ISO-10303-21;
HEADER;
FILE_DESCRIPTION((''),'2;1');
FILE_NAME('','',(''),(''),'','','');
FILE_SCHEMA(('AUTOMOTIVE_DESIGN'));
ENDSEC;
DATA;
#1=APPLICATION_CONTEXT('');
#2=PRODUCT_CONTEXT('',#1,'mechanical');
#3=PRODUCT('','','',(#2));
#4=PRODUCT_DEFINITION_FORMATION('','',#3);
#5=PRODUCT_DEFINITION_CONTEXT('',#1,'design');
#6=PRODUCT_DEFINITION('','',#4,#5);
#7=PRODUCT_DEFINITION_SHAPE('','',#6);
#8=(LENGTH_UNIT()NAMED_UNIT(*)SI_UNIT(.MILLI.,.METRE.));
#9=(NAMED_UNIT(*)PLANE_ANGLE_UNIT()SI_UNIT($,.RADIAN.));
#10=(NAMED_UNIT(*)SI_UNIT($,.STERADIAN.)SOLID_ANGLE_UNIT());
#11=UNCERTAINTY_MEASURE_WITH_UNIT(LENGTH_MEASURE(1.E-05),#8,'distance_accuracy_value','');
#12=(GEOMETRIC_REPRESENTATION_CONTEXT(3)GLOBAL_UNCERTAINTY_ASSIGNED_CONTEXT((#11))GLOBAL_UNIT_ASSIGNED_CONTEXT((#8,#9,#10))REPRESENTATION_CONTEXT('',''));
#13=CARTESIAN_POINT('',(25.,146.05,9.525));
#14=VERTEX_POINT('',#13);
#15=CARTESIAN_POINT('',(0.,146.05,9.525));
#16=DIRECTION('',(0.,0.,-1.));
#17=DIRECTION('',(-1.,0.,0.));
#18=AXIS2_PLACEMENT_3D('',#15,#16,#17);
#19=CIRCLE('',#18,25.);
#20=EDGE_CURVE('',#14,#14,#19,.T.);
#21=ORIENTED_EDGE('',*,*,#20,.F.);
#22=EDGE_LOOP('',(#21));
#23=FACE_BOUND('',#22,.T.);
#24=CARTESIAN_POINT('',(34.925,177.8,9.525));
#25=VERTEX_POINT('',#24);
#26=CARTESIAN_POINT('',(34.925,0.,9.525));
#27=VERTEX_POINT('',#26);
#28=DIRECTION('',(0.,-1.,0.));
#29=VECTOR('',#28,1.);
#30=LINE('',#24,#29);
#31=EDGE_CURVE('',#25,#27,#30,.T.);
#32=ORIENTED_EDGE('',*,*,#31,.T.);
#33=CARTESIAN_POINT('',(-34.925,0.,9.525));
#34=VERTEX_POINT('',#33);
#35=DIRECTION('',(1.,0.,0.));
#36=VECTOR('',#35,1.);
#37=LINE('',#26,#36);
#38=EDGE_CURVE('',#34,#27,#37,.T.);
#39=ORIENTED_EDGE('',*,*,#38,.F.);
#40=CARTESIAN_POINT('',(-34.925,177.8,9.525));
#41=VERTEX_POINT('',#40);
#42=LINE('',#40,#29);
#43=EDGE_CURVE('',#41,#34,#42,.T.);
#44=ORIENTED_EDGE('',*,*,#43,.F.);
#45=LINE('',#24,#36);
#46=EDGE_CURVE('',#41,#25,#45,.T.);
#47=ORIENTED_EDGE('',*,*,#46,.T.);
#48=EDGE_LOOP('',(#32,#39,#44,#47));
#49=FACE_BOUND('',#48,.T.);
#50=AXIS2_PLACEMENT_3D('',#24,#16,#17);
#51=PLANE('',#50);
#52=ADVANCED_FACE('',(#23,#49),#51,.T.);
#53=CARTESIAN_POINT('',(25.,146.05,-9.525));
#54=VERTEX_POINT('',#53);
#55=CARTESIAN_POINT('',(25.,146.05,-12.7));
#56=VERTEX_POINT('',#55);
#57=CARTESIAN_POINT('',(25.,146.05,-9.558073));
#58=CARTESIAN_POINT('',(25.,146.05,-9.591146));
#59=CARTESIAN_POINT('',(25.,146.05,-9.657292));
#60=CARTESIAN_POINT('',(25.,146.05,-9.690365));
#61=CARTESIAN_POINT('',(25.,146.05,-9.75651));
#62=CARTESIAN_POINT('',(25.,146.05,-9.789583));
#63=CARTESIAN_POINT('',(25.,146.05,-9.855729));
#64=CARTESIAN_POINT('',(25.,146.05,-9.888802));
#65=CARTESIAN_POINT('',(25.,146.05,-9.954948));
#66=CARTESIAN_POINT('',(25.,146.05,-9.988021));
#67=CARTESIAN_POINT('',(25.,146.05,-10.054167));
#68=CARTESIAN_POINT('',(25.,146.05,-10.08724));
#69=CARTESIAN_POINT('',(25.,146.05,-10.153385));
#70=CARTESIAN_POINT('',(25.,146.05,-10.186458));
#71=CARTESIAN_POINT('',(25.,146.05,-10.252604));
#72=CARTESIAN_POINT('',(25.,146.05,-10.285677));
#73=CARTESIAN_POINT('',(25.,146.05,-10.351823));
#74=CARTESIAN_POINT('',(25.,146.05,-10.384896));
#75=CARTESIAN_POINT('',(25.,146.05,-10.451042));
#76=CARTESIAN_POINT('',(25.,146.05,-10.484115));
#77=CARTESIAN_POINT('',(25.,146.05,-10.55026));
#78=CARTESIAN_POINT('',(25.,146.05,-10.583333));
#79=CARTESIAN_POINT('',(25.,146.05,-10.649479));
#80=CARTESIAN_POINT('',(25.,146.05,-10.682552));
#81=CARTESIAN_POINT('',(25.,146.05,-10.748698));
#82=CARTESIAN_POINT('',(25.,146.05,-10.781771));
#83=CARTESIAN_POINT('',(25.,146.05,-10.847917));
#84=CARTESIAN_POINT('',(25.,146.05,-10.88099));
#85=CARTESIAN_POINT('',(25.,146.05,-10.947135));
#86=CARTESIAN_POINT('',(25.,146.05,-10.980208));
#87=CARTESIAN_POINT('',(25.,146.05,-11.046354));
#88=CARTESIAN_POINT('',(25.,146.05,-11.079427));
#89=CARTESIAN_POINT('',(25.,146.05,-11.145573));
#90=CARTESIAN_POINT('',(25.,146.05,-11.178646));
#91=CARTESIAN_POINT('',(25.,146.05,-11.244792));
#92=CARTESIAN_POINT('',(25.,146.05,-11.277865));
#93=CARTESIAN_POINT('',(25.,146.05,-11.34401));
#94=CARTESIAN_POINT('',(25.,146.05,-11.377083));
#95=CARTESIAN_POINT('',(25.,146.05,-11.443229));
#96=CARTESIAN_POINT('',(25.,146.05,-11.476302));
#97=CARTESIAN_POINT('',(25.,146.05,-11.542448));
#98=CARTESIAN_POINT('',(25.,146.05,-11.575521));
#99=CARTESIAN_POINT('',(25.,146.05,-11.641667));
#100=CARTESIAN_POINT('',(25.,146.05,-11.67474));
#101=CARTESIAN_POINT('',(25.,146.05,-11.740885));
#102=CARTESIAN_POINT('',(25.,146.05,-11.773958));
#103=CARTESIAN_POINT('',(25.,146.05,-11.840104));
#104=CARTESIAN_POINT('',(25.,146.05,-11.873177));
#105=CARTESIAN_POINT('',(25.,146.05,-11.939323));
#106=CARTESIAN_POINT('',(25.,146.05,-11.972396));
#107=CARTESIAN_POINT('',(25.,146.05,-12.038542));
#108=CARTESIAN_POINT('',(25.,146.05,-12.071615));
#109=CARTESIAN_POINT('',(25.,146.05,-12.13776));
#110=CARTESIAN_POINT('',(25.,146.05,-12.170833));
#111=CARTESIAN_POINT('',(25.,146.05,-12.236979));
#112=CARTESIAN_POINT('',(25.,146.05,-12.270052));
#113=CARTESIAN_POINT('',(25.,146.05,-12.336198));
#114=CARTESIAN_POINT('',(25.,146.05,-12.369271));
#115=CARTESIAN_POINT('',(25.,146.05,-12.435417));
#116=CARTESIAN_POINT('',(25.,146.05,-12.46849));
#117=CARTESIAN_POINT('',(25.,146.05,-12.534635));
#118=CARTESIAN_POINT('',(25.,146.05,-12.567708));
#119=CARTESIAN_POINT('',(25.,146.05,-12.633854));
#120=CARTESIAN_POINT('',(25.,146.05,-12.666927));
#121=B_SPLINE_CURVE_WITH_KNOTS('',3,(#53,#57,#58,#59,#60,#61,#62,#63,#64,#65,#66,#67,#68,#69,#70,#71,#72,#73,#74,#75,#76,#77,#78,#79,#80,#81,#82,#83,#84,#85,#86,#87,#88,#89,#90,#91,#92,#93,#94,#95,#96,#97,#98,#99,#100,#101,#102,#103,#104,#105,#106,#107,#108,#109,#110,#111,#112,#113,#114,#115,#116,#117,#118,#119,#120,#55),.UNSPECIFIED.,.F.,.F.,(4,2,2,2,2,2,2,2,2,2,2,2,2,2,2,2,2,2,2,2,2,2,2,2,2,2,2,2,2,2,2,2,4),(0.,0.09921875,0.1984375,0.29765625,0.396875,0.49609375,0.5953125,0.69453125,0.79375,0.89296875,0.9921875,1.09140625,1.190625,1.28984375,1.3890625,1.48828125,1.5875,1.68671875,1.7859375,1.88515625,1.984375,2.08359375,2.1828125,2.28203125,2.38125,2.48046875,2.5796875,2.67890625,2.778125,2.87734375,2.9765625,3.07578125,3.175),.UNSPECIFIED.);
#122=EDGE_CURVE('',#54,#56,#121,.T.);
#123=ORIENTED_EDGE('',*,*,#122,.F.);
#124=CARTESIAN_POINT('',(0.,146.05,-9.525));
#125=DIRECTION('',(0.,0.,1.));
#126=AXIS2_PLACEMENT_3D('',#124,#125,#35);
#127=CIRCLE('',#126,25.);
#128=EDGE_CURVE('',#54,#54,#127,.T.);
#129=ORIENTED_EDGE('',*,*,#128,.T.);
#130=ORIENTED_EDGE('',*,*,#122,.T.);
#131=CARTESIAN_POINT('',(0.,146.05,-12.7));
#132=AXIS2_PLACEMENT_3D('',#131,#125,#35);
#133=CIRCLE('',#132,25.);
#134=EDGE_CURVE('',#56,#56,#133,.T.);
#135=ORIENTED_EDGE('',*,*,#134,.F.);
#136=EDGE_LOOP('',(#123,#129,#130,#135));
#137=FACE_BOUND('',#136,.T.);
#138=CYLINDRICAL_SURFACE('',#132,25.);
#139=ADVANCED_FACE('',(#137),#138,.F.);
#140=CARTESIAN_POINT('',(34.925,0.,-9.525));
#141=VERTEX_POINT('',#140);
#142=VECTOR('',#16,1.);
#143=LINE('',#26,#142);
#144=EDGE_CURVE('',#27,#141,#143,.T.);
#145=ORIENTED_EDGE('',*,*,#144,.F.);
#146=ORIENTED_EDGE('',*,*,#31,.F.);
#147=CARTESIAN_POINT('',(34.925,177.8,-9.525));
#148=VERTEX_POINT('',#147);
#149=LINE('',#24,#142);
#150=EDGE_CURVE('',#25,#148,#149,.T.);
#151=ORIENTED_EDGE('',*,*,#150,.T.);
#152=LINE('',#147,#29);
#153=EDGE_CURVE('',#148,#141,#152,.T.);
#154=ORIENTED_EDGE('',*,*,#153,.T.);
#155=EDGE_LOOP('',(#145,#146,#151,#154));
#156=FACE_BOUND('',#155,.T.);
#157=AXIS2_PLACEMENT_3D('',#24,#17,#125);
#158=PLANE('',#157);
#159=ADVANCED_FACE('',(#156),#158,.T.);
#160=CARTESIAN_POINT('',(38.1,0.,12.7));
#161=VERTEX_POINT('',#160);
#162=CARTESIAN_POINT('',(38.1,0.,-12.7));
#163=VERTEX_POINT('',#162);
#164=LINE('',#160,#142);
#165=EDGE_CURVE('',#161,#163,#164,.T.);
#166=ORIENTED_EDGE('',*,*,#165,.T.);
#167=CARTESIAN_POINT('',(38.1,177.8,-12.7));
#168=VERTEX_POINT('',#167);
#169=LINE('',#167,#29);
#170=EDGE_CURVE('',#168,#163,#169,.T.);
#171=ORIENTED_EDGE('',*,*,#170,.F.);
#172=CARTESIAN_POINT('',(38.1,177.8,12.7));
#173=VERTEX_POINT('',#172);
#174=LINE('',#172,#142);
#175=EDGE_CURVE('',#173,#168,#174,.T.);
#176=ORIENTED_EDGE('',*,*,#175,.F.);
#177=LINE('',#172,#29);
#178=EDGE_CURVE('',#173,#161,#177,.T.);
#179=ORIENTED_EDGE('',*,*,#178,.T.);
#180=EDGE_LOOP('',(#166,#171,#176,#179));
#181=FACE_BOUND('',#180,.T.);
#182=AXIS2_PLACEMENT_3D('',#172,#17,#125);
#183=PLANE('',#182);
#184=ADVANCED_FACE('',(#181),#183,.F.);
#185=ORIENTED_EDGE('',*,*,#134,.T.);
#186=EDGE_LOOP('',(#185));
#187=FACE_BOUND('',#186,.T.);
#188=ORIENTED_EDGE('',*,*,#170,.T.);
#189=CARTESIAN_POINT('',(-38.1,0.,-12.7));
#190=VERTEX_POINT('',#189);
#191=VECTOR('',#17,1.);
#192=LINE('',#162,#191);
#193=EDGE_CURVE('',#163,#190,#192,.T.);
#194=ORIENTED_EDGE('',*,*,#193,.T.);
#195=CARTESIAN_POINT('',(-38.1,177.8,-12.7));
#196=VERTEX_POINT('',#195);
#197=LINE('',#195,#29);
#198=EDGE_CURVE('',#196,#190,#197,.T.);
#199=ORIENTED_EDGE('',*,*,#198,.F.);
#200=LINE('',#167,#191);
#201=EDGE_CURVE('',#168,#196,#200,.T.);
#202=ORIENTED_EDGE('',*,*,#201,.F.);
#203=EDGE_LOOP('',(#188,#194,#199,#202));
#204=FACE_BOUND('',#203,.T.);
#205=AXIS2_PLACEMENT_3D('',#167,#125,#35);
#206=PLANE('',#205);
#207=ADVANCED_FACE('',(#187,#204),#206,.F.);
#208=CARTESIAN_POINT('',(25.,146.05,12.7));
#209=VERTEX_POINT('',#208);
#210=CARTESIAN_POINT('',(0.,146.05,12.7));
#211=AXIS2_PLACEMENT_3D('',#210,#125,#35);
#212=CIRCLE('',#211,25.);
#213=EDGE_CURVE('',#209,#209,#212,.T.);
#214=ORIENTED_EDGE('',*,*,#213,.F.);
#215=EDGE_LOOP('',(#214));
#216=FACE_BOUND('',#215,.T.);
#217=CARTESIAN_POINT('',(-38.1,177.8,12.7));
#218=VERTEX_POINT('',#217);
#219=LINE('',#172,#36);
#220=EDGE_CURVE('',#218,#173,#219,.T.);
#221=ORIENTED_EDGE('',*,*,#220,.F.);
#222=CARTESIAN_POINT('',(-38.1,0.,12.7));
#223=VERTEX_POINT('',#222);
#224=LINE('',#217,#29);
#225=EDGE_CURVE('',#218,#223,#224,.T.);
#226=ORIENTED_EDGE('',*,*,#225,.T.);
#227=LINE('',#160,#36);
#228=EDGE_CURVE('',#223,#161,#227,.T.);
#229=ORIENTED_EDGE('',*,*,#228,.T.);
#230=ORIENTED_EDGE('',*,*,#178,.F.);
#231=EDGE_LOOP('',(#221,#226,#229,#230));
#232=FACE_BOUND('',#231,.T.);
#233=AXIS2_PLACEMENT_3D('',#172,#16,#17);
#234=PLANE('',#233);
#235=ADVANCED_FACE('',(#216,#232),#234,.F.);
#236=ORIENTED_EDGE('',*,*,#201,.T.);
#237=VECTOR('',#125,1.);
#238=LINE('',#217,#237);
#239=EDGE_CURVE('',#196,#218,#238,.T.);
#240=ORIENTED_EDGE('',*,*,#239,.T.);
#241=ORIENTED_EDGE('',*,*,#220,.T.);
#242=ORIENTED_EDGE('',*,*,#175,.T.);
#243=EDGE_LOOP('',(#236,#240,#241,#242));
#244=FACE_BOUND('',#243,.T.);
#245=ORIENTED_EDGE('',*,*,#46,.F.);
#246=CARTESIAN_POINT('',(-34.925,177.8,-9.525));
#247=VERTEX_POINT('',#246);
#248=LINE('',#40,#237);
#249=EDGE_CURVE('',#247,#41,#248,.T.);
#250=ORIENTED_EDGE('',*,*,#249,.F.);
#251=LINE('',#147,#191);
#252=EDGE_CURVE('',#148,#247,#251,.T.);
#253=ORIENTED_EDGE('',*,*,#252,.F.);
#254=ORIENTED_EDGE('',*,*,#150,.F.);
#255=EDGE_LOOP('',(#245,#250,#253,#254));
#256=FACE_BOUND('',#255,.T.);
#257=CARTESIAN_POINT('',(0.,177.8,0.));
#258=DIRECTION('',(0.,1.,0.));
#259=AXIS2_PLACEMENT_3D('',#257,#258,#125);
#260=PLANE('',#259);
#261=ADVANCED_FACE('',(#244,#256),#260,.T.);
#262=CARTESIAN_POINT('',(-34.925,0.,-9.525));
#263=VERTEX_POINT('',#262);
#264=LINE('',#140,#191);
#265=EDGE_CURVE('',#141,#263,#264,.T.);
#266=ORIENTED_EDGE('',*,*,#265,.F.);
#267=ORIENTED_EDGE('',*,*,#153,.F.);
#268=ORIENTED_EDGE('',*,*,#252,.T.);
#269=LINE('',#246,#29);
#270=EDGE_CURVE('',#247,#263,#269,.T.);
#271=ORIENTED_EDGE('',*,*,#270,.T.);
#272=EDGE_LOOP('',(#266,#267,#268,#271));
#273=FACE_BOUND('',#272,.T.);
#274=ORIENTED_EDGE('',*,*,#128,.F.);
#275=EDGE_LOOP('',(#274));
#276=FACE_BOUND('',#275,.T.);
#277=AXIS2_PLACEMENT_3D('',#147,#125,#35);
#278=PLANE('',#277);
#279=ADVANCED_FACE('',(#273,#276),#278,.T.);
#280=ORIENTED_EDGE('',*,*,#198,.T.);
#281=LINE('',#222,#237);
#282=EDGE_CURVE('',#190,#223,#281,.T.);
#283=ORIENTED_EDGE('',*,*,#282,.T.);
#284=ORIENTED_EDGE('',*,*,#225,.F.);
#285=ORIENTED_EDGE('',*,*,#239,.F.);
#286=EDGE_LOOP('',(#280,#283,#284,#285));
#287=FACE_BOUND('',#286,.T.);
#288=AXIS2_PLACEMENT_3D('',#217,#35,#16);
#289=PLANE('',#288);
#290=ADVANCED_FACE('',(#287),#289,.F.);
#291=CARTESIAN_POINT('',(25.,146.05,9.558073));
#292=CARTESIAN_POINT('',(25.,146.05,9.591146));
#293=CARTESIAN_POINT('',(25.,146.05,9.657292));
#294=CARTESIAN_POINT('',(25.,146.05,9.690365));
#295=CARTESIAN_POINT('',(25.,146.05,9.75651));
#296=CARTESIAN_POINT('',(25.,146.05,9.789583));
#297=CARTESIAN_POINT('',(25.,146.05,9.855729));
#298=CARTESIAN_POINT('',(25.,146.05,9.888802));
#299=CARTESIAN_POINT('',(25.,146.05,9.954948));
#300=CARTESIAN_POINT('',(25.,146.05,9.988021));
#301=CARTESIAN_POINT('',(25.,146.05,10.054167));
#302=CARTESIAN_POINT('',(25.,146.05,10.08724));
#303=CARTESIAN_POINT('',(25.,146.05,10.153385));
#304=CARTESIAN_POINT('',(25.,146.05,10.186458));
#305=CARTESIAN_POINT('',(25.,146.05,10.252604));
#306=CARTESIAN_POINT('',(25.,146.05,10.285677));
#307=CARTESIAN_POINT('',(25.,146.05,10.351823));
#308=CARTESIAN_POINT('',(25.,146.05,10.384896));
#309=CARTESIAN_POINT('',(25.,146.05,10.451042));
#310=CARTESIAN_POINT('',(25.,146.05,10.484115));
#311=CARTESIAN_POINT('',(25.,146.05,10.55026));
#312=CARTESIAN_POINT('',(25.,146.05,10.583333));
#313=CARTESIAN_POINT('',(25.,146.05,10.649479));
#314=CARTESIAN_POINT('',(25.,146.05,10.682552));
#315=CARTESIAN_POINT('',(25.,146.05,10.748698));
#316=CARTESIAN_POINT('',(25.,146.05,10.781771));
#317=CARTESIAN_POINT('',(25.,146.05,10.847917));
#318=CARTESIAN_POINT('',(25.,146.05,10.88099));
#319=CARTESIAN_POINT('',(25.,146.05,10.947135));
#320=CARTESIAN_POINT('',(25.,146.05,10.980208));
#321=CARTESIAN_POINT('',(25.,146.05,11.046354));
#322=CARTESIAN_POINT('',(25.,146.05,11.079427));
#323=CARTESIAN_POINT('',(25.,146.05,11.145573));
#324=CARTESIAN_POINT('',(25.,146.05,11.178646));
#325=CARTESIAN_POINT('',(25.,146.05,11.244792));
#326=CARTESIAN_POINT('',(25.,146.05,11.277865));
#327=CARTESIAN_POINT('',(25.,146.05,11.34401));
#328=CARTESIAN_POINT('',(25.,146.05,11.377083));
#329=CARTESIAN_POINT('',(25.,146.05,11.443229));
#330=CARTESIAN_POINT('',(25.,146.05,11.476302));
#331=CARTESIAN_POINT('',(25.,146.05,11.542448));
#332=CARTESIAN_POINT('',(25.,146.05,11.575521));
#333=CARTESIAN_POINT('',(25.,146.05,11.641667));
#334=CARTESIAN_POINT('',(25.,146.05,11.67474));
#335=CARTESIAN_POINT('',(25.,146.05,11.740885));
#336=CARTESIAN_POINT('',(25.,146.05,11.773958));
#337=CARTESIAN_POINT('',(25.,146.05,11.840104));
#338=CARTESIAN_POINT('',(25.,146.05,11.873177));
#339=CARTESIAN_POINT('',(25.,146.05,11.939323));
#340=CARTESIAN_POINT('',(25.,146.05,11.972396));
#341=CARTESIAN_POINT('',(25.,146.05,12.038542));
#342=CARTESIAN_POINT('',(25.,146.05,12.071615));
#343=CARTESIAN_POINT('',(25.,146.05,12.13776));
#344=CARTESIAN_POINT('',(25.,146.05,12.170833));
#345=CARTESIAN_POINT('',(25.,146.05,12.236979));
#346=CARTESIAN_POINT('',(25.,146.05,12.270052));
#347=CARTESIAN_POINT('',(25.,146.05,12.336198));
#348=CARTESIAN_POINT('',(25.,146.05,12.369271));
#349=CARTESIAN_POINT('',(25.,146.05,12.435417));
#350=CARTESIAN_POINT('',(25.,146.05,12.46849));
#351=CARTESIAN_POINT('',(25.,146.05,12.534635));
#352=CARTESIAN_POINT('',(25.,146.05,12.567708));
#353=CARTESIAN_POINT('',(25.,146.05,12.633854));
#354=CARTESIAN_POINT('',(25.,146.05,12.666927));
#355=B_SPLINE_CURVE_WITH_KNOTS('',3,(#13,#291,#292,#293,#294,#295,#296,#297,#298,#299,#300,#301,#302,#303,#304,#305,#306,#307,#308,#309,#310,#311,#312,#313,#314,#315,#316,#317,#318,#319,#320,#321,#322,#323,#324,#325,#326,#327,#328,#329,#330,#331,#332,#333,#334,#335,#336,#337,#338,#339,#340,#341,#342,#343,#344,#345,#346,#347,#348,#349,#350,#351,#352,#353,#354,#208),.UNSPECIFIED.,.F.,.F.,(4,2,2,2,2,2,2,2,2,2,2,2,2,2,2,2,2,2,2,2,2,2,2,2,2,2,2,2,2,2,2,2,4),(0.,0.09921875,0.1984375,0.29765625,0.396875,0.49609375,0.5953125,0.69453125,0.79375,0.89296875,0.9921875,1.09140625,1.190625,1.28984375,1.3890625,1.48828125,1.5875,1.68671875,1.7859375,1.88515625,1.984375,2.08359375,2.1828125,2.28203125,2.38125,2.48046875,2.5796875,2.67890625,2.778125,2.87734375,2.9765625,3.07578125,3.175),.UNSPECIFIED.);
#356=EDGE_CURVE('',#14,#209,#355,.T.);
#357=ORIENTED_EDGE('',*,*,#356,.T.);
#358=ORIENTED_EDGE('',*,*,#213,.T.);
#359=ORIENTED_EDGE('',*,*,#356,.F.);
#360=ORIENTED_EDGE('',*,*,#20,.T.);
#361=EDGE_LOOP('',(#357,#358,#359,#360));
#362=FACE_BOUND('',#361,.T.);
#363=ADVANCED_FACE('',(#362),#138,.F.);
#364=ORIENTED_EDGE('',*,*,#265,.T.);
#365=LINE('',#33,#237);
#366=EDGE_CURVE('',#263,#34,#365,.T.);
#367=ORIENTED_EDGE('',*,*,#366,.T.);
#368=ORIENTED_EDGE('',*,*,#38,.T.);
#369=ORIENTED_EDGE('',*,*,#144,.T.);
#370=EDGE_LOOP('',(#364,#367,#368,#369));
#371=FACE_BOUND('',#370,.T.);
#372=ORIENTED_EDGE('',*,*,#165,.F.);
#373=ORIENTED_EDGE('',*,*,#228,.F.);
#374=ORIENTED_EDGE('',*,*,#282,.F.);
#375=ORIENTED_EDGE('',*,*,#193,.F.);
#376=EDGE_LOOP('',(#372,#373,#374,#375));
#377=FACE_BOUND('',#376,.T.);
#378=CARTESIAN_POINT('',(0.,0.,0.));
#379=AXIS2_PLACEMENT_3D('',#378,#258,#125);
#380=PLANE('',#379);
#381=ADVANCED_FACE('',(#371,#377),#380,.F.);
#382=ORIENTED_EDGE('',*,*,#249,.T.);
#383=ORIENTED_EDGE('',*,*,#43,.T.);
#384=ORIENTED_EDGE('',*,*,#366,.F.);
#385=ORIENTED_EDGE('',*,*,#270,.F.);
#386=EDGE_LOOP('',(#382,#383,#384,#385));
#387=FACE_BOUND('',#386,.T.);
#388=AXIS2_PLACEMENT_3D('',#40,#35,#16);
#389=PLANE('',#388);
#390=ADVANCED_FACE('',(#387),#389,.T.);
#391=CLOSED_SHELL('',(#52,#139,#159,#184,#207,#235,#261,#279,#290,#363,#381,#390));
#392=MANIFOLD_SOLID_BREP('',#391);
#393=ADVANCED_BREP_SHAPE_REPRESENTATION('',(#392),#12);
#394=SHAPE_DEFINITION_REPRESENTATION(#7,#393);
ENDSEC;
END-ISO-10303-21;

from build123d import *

# Parameters (mm, degrees)
SKETCH1_W           = 76.2
SKETCH1_H           = 25.4
SKETCH1_W_2         = 69.85
SKETCH1_H_2         = 19.05
BOSS_EXTRUDE1_DEPTH = 177.8
SKETCH2_R           = 25
CUT_EXTRUDE1_DEPTH  = 184.601770144


with BuildPart() as part:
    # Sketch1 → Boss-Extrude1 (new body)
    with BuildSketch(Plane(origin=(0, 0, 0), x_dir=(1, 0, 0), z_dir=(0, 1, 0))):
        Rectangle(SKETCH1_W, SKETCH1_H)
        Rectangle(SKETCH1_W_2, SKETCH1_H_2, mode=Mode.SUBTRACT)
    extrude(amount=BOSS_EXTRUDE1_DEPTH)

    # Sketch2 → Cut-Extrude1 (cut, through all)
    with BuildSketch(Plane.XY.offset(12.7)):
        with Locations((0, 146.05)):
            Circle(SKETCH2_R)
    extrude(amount=-CUT_EXTRUDE1_DEPTH, mode=Mode.SUBTRACT)


solid = part.part
